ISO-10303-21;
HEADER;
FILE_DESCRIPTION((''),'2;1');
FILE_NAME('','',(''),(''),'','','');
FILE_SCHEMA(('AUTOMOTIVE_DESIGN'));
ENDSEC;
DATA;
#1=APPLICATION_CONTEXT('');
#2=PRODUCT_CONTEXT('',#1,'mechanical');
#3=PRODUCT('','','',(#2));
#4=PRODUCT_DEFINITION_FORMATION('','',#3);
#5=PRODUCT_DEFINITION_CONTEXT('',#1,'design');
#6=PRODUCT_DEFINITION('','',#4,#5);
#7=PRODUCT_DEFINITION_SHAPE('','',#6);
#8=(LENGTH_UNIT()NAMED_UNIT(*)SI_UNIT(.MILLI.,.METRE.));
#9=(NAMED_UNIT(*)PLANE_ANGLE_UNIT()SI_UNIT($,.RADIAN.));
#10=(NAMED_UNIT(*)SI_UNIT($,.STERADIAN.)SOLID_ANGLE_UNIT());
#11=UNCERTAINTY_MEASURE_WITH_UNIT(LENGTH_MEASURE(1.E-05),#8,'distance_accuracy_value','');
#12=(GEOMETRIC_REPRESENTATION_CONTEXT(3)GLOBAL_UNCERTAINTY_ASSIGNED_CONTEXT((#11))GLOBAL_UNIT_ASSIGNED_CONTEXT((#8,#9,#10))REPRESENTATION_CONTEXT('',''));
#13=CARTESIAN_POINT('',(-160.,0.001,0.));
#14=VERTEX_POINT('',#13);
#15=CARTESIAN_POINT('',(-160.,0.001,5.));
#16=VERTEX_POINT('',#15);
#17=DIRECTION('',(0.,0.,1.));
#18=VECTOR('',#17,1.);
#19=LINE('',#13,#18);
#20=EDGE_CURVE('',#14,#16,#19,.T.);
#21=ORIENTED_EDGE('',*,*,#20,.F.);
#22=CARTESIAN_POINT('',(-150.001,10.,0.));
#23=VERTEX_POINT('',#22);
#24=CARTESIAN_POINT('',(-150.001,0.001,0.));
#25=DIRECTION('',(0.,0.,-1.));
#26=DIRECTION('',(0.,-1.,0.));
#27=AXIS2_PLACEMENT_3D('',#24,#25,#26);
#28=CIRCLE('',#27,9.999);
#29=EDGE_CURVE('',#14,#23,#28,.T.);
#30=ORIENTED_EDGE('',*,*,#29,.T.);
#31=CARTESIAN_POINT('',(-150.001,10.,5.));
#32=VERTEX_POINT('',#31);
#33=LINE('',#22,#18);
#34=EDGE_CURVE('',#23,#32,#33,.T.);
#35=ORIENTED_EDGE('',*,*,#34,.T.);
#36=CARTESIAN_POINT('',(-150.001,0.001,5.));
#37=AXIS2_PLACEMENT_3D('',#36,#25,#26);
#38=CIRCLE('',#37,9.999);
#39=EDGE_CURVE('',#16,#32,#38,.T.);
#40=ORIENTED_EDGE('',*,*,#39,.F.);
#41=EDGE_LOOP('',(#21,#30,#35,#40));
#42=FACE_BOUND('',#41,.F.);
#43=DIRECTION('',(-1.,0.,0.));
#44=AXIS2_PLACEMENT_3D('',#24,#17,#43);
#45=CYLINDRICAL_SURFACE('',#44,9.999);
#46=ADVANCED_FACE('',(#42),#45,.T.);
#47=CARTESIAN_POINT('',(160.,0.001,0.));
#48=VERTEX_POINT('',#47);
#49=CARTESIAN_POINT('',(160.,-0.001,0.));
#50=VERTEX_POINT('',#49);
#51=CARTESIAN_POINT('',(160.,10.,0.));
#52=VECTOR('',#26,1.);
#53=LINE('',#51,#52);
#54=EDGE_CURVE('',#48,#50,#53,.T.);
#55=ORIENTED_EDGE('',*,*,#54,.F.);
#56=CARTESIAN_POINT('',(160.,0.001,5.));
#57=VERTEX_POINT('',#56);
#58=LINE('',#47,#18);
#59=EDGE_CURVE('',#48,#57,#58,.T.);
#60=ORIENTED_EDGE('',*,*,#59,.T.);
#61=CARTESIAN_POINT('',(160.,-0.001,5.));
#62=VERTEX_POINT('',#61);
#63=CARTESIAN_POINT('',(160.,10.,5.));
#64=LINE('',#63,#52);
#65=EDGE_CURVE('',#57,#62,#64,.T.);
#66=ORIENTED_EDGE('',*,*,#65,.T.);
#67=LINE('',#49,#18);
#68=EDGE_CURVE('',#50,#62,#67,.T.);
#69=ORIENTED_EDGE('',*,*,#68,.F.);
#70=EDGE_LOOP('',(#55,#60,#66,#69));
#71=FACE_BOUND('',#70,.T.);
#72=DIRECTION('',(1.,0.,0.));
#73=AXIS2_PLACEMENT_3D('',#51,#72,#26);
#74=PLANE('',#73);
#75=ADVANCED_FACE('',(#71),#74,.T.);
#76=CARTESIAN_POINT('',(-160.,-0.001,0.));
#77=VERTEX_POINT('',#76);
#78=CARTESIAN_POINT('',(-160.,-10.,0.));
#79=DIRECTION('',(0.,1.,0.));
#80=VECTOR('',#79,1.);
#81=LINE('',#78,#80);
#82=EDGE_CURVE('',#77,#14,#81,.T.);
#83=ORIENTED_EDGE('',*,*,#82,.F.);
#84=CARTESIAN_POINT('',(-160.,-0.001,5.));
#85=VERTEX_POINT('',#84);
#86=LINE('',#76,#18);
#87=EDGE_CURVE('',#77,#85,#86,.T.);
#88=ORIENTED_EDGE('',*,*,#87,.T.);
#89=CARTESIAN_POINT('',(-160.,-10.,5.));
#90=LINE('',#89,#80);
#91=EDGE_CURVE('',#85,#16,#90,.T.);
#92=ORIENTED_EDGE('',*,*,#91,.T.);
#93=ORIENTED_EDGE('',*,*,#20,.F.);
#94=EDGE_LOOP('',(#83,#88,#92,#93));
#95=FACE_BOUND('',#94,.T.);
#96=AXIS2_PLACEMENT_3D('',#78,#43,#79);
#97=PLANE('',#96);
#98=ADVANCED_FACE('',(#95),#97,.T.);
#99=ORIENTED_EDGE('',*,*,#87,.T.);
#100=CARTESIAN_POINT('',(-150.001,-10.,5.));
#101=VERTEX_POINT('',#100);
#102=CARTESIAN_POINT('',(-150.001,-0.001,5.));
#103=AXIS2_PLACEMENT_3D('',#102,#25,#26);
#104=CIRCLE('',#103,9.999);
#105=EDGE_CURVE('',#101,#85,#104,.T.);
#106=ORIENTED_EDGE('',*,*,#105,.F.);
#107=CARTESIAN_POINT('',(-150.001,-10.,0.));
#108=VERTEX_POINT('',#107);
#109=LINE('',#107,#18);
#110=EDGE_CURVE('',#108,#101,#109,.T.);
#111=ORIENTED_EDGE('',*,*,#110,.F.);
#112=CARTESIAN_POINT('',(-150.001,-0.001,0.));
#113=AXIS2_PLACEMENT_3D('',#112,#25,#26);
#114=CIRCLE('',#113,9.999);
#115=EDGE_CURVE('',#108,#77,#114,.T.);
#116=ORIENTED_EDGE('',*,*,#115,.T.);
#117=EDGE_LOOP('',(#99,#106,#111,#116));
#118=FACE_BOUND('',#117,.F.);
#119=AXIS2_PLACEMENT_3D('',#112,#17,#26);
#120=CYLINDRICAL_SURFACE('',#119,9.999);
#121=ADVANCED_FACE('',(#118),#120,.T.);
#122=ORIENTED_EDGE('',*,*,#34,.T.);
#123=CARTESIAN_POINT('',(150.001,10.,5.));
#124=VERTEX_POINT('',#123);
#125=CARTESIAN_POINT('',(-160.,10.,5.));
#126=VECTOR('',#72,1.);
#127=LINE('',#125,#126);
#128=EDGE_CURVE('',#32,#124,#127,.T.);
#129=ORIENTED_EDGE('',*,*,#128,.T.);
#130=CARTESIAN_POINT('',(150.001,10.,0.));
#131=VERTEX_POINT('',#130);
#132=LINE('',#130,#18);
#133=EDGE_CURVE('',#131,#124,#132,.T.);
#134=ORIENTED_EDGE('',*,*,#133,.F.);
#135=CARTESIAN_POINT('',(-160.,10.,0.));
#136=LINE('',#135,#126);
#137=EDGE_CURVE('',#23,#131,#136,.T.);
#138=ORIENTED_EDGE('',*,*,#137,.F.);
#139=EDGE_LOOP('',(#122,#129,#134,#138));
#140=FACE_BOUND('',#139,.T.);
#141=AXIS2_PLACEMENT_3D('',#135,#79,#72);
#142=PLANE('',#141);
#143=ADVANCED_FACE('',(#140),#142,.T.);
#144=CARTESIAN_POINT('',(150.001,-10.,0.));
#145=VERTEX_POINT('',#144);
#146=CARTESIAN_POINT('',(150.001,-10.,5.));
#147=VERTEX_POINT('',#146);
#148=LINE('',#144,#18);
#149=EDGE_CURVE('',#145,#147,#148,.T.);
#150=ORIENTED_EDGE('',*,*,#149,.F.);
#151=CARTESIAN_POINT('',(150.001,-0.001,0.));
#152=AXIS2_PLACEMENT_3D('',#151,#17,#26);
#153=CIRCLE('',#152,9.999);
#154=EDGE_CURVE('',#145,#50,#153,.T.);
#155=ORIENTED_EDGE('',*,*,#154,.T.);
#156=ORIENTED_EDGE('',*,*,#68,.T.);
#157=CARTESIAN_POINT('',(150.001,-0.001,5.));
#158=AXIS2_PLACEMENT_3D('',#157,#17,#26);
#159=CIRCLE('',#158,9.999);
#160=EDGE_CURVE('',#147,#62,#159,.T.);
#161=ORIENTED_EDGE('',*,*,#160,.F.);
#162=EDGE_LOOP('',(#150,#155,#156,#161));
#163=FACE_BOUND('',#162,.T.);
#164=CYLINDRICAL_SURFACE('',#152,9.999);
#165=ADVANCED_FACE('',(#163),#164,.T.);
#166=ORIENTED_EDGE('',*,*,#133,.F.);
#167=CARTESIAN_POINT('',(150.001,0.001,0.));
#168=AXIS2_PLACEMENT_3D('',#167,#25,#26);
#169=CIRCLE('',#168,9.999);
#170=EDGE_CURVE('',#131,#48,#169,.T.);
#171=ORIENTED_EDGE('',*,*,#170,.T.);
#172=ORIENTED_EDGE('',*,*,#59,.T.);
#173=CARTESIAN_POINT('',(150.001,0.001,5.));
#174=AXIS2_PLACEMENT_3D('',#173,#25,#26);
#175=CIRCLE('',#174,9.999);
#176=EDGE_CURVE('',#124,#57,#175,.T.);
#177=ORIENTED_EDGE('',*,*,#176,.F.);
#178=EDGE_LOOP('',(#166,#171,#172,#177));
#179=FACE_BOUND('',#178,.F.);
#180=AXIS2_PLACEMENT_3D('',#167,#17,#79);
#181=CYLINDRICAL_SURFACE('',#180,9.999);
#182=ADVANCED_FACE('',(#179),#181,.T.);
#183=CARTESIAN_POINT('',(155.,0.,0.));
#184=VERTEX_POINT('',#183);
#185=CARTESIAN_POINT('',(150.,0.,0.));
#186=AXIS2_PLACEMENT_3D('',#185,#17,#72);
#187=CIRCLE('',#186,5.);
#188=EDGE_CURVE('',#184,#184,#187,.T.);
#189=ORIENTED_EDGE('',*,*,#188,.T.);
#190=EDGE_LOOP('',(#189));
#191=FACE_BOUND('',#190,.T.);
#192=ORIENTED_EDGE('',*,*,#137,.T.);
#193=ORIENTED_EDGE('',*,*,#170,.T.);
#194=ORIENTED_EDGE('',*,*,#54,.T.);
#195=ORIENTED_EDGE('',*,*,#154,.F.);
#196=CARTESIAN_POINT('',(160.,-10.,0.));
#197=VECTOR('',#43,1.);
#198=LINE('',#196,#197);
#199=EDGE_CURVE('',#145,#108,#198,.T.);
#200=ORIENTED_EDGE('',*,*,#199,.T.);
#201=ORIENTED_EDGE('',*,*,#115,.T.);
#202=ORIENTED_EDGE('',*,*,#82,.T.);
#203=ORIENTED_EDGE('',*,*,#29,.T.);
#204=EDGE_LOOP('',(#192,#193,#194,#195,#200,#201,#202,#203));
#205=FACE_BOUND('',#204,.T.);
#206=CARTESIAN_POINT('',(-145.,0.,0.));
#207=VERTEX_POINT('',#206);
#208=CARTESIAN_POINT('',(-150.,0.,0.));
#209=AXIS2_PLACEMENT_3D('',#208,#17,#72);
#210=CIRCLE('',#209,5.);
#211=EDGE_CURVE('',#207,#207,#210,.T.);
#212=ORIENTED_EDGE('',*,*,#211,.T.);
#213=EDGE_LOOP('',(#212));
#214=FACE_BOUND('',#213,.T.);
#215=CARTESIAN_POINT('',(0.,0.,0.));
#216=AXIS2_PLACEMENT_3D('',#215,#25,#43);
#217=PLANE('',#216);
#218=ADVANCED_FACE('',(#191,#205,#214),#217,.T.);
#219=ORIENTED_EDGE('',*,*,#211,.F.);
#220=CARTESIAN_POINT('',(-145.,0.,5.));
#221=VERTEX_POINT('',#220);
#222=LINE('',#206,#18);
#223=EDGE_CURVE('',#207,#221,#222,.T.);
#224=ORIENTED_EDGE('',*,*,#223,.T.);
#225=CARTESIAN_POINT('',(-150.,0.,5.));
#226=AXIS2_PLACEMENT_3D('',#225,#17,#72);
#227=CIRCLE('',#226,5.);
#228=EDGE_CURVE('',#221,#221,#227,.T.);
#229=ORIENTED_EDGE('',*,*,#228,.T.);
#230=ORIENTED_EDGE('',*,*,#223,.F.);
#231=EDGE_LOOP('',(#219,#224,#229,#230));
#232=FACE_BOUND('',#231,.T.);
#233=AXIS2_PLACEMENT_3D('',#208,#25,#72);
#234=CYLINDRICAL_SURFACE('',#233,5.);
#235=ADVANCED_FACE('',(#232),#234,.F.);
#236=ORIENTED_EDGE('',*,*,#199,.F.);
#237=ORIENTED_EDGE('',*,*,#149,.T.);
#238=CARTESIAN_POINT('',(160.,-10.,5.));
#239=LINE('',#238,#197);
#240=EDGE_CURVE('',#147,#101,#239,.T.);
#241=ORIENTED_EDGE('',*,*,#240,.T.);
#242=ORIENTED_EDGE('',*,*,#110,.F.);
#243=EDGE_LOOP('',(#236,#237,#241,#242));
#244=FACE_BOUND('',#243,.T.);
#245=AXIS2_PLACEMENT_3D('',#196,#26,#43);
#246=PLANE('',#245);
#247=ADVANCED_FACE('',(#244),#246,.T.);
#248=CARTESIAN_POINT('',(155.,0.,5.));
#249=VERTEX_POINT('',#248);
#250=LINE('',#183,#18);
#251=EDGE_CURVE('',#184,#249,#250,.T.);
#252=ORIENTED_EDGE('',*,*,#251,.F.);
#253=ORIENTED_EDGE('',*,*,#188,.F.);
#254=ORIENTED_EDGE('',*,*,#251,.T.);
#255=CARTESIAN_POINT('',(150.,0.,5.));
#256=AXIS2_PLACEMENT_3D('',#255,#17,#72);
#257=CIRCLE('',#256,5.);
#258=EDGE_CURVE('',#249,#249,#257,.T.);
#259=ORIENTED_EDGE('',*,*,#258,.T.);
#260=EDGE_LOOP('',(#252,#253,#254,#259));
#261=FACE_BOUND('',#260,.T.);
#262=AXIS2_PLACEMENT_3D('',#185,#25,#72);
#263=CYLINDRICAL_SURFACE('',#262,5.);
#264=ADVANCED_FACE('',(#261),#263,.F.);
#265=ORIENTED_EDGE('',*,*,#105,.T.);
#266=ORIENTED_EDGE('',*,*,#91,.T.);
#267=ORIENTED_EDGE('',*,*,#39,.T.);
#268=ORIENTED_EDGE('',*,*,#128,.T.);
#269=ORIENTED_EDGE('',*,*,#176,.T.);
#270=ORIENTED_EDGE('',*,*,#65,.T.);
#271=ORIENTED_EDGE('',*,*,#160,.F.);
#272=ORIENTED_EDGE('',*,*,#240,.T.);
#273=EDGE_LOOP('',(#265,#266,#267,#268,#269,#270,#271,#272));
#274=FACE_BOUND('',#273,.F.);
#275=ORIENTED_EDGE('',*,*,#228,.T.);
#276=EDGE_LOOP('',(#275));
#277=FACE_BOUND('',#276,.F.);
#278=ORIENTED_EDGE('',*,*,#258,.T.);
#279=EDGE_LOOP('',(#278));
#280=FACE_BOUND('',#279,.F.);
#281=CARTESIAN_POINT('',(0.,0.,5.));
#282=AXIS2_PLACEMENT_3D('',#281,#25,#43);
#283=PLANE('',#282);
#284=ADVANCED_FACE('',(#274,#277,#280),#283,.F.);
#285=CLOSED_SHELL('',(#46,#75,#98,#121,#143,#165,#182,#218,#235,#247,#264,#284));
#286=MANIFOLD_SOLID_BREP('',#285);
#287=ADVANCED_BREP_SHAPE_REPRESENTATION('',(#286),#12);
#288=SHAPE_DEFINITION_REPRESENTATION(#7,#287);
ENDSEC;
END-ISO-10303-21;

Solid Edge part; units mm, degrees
sketch "Sketch1" plane through (0, 0, 0) normal (0, 0, 1) x (1, 0, 0)
  line L0 (160, -10) -> (-160, -10)
  line L1 (-160, -10) -> (-160, 10)
  line L2 (-160, 10) -> (160, 10)
  line L3 (160, 10) -> (160, -10)
  circle A0 centre (-150, 0) radius 5
  circle A1 centre (150, 0) radius 5
  dimension "D1" = 10
  dimension "D2" = 10
  dimension "D3" = 300
  dimension "D4" = 320
  dimension "D5" = 20
  dimension "D6" = 150
extrude "Protrusion1" add sketch "Sketch1" along normal blind 5
fillet "Round_1" radius 10 4 edges at (160, -10, 2.5) (160, 10, 2.5) (-160, 10, 2.5) (-160, -10, 2.5)
